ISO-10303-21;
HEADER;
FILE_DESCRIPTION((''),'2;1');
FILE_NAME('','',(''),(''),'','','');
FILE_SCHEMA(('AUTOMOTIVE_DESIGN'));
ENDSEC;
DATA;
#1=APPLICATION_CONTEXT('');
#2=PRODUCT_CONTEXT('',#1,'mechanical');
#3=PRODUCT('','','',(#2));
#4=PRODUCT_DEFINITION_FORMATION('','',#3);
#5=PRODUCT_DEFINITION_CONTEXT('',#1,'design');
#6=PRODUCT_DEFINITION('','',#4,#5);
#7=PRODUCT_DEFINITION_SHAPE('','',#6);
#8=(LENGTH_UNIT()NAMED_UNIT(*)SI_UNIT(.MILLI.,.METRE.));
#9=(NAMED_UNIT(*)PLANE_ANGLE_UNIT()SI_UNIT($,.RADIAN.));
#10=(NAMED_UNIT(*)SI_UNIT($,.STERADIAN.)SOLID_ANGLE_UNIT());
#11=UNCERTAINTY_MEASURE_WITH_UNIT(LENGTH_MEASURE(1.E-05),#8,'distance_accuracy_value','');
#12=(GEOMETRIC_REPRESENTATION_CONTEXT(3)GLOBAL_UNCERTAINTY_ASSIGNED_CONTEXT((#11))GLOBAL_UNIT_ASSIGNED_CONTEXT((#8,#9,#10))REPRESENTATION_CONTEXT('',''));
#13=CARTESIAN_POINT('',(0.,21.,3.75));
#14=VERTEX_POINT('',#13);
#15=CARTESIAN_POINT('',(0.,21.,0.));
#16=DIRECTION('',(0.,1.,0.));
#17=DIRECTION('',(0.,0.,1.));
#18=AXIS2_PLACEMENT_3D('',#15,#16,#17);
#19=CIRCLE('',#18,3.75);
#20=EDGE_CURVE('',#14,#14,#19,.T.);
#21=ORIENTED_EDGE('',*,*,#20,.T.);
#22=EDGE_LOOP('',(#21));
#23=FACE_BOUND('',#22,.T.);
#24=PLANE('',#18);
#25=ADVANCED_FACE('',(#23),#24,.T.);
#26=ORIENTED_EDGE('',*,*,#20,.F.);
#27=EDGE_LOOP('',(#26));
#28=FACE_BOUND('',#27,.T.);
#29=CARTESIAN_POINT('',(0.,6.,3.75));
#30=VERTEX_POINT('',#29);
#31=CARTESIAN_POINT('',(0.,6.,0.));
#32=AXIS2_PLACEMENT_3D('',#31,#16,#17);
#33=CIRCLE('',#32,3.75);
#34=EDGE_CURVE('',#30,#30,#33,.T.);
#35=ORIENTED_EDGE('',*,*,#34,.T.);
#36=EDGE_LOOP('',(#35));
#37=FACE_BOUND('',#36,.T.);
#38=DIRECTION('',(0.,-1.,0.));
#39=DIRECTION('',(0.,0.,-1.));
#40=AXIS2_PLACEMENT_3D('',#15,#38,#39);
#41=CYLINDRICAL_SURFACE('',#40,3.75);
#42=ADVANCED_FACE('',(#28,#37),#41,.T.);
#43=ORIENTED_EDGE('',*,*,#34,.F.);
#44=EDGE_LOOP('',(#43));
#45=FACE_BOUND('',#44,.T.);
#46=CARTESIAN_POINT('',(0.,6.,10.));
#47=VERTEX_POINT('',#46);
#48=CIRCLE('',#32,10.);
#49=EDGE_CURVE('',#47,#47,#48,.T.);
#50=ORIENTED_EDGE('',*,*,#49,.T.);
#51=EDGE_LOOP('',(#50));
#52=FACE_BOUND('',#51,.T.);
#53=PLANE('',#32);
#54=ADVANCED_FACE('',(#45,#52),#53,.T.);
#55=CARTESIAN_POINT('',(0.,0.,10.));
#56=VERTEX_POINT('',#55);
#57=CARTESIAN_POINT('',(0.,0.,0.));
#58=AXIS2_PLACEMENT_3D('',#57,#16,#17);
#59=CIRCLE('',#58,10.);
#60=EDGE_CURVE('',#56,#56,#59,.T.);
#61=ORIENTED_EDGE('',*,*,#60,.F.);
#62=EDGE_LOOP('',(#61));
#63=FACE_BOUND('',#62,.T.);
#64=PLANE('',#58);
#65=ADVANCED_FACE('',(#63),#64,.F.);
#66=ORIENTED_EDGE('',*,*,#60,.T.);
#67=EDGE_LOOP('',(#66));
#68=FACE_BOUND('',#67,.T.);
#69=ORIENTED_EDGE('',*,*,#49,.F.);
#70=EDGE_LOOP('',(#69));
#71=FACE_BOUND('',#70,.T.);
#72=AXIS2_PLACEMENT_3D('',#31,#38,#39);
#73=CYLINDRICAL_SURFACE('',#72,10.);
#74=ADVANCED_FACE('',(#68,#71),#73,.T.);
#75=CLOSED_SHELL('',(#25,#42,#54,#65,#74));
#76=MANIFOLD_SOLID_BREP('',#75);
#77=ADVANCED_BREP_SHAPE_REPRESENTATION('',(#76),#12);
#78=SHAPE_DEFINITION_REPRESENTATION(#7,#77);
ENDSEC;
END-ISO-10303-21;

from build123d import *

# Parameters (mm, degrees)
CROQUIS1_R              = 10
SALIENTE_EXTRUIR1_DEPTH = 6
CROQUIS2_R              = 3.75
SALIENTE_EXTRUIR2_DEPTH = 15


with BuildPart() as part:
    # Croquis1 → Saliente-Extruir1 (new body)
    with BuildSketch(Plane(origin=(0, 0, 0), x_dir=(1, 0, 0), z_dir=(0, 1, 0))):
        Circle(CROQUIS1_R)
    extrude(amount=SALIENTE_EXTRUIR1_DEPTH)

    # Croquis2 → Saliente-Extruir2 (add)
    with BuildSketch(Plane(origin=(0, 6, 0), x_dir=(1, 0, 0), z_dir=(0, 1, 0))):
        Circle(CROQUIS2_R)
    extrude(amount=SALIENTE_EXTRUIR2_DEPTH)


solid = part.part
